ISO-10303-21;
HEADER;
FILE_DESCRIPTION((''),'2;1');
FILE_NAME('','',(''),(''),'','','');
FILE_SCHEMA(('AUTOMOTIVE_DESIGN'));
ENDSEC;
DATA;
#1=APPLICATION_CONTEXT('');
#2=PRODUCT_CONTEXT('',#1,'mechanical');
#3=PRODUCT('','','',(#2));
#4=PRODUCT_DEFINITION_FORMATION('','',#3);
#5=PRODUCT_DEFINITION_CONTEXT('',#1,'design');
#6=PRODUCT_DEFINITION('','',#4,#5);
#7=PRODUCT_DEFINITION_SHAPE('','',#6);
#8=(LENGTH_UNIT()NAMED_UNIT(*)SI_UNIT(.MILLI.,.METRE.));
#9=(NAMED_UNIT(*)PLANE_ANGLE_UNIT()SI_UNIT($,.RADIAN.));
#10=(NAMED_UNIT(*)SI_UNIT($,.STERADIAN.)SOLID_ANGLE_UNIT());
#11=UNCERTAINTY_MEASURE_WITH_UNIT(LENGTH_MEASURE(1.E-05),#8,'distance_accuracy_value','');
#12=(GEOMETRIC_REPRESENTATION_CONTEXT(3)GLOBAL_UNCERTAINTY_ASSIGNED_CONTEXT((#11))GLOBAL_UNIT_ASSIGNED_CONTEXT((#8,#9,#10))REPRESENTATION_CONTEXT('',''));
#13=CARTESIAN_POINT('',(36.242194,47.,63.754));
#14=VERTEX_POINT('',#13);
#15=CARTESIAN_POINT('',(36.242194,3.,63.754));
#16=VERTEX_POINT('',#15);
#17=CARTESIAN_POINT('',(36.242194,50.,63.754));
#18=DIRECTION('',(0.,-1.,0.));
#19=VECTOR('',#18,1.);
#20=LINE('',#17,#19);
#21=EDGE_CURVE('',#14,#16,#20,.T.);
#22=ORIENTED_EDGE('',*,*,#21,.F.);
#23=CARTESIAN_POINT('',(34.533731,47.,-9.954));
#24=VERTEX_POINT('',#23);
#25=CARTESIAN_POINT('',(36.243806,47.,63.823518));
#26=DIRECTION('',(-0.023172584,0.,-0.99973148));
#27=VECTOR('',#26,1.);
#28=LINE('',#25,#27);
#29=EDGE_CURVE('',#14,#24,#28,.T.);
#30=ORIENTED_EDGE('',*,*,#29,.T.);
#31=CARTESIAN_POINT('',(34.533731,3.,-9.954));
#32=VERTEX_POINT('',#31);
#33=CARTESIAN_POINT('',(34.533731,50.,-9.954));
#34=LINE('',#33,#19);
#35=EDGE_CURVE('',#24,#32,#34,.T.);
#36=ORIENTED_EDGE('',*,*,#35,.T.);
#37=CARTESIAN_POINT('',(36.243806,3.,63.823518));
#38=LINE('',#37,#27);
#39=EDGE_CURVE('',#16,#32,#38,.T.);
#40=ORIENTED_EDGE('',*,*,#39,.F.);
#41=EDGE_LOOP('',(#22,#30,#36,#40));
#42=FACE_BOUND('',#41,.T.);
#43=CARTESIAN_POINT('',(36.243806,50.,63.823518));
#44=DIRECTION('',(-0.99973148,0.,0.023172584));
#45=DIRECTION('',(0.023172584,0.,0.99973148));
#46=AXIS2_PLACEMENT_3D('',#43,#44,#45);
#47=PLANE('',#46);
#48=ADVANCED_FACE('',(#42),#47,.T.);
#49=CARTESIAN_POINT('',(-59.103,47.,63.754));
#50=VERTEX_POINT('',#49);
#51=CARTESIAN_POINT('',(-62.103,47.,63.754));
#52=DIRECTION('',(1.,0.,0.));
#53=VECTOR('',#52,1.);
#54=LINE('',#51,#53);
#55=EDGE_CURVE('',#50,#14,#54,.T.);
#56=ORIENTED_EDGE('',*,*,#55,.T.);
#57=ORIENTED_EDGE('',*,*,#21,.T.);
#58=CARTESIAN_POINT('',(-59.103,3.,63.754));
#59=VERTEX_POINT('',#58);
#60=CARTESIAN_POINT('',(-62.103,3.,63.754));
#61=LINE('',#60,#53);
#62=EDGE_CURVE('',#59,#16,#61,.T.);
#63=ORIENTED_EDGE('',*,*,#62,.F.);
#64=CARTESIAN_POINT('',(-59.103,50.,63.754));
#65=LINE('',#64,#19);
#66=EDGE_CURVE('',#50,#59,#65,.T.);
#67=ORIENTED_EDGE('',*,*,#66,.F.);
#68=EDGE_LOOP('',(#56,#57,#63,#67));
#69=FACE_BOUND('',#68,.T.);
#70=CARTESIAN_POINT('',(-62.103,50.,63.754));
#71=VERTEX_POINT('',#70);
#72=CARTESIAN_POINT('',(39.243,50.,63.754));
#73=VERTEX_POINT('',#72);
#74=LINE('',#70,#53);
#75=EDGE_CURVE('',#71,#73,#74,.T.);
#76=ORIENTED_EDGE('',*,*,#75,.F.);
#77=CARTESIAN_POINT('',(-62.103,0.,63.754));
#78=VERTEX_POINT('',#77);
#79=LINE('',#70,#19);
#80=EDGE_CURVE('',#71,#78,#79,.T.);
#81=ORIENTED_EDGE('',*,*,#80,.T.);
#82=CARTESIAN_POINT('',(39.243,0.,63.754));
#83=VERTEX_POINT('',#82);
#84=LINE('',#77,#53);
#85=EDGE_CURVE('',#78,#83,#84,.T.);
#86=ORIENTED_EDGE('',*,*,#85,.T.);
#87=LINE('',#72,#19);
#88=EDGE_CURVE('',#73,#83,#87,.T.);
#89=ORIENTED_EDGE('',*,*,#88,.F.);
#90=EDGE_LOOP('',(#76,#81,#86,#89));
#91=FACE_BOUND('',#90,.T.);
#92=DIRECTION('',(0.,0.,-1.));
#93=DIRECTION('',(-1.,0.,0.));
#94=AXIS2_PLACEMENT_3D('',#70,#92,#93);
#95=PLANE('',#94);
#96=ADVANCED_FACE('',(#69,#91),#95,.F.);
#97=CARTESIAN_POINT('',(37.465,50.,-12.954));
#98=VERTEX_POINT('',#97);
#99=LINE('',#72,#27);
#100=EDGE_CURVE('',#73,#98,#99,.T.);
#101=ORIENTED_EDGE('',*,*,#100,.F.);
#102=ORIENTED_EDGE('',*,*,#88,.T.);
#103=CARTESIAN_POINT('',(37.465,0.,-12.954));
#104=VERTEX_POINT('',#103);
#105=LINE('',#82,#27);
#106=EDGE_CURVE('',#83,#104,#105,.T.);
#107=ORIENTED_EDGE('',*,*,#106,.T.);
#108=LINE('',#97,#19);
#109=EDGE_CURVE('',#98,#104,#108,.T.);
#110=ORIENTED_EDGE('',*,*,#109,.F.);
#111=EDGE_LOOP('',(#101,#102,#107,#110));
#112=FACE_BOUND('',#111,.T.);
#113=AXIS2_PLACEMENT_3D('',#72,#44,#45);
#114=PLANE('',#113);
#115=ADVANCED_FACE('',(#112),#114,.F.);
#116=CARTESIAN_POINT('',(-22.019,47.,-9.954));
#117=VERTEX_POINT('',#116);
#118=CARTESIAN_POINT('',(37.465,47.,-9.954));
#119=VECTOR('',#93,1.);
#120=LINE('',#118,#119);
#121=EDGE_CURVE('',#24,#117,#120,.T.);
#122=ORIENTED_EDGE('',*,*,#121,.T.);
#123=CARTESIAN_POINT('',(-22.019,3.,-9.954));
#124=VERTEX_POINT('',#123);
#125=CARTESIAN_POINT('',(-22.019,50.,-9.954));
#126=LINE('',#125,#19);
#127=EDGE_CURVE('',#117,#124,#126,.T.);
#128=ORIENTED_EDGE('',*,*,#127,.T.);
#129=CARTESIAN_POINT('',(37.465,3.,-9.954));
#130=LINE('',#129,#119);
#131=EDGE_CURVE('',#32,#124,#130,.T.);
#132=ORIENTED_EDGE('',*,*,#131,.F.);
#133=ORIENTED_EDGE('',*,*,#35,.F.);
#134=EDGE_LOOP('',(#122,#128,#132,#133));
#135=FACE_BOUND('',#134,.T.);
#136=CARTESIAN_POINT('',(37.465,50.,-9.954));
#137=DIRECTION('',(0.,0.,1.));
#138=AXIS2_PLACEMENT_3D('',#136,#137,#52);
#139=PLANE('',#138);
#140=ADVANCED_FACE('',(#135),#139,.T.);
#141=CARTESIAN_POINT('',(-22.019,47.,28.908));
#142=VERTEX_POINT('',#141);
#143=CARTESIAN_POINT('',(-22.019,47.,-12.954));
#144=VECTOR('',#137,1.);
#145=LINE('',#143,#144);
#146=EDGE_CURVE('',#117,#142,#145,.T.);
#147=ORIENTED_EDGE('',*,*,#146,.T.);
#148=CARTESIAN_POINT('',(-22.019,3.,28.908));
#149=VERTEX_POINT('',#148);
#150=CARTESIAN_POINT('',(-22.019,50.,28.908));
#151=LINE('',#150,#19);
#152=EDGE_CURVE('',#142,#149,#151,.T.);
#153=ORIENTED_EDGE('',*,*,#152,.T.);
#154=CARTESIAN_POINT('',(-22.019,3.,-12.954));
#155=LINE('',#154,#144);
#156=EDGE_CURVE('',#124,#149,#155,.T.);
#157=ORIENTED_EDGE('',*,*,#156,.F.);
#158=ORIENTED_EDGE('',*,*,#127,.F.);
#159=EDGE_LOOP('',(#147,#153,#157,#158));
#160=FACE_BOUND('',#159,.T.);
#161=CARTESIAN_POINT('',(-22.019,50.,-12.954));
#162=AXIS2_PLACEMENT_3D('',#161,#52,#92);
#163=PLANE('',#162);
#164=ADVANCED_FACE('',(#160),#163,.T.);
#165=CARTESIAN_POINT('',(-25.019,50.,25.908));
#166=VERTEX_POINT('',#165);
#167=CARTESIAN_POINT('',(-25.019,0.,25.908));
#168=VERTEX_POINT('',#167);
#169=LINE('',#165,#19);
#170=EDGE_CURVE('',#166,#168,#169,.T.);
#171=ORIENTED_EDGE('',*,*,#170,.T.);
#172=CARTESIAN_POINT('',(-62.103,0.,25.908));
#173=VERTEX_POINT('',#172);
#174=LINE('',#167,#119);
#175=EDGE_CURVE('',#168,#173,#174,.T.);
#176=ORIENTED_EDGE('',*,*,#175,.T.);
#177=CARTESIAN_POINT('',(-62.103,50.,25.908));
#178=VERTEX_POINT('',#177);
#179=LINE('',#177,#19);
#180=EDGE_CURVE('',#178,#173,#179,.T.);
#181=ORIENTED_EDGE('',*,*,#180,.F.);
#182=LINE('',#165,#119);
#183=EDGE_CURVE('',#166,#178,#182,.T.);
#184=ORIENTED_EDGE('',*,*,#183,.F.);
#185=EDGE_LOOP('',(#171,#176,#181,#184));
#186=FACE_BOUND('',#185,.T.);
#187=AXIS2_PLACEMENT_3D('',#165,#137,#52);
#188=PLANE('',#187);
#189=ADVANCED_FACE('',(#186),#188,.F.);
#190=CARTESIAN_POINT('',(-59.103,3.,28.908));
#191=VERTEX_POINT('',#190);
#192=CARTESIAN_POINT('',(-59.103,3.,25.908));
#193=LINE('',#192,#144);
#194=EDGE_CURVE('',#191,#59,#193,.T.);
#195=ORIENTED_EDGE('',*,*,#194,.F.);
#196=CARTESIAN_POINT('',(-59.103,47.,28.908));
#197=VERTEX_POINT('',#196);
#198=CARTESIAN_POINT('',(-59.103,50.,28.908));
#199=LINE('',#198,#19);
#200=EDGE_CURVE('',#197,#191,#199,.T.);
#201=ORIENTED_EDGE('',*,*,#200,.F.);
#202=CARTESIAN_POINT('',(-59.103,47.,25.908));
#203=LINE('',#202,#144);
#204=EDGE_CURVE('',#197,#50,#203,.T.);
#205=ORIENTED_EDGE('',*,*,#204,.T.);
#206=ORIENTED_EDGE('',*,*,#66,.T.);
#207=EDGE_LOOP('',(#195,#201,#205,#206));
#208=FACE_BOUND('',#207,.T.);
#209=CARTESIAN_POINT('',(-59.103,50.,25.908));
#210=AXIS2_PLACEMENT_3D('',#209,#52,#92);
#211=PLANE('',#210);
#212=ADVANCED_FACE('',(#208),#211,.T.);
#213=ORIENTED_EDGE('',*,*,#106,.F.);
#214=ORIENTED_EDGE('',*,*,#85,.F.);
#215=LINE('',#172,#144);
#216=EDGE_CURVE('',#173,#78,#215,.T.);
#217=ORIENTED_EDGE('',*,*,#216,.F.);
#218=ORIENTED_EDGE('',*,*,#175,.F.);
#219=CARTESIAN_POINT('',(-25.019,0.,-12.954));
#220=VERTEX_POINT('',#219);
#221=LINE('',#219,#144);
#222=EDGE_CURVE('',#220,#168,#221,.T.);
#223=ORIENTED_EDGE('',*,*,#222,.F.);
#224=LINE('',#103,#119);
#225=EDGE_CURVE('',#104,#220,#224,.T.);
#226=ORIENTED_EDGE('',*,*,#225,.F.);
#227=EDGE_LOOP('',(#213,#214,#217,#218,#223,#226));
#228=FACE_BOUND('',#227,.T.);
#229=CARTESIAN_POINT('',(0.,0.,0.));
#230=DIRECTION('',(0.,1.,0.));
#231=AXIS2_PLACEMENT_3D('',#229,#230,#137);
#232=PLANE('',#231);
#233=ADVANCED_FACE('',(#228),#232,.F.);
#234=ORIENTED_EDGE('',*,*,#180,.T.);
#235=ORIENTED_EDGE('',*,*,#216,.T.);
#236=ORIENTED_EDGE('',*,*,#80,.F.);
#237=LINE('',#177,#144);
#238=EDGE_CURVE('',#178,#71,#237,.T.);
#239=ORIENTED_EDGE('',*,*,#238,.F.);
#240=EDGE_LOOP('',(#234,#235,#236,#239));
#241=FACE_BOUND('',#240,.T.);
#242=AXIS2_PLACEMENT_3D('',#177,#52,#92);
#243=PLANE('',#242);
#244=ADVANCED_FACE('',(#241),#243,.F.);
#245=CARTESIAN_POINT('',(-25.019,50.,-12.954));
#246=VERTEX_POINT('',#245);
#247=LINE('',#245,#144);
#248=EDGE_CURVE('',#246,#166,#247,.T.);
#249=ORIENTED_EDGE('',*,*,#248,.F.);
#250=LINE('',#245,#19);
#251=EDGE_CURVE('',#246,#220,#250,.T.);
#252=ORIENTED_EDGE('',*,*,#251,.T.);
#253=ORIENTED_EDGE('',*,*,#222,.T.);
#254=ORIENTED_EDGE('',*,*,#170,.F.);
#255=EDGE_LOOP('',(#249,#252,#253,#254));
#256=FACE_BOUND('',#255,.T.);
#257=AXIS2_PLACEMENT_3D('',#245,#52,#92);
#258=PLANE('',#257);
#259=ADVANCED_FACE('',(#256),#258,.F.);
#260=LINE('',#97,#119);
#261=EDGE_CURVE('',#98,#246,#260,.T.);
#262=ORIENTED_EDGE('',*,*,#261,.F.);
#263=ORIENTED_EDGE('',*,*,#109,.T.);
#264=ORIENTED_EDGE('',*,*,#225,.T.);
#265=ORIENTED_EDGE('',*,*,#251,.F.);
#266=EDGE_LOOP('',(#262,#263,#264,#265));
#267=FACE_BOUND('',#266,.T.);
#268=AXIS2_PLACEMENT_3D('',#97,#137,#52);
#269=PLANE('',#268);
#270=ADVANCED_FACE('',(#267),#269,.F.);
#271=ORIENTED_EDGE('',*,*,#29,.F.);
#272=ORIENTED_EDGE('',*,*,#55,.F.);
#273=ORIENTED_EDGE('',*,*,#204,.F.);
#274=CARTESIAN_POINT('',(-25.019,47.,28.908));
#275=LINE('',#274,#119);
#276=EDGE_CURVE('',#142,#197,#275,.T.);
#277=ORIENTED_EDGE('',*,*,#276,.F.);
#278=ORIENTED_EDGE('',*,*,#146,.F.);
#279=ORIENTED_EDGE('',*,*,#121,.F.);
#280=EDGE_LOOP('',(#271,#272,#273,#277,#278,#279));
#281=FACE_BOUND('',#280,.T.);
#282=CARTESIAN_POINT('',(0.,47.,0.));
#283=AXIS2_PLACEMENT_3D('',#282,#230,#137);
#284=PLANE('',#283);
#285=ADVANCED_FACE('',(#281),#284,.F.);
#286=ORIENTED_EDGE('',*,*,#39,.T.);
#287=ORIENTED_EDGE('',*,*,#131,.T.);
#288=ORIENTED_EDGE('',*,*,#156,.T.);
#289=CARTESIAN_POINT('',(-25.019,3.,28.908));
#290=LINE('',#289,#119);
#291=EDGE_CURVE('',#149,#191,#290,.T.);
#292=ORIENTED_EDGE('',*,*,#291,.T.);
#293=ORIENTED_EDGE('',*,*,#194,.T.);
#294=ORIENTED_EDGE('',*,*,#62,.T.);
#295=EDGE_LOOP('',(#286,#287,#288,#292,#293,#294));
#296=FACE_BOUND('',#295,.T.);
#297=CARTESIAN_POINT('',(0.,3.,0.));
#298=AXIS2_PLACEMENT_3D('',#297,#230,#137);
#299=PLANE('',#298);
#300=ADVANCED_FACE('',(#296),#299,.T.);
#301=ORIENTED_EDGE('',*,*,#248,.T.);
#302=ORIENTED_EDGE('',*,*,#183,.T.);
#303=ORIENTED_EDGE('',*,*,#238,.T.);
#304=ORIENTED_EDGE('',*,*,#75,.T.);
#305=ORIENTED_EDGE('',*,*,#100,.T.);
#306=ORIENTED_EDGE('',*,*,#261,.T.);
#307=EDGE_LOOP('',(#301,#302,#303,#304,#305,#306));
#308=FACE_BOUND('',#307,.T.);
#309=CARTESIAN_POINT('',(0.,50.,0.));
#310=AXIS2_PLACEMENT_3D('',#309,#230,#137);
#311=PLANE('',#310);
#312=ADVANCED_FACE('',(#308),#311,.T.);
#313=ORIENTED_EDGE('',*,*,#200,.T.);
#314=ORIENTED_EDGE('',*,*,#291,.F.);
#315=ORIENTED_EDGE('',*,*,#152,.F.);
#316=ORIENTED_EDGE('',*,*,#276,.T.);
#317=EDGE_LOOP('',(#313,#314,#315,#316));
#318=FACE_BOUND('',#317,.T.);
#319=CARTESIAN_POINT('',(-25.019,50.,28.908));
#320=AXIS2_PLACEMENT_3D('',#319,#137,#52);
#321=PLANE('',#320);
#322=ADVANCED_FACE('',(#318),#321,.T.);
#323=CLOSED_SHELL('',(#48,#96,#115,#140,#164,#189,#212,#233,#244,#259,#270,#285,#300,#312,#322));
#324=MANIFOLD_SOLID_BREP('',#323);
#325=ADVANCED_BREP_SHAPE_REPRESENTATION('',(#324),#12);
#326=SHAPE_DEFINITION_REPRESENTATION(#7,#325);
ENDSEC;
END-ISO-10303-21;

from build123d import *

# Parameters (mm, degrees)
BOSS_EXTRUDE1_DEPTH = 50
SHELL1_T            = -3


with BuildPart() as part:
    # Sketch1 → Boss-Extrude1 (new body)
    with BuildSketch(Plane(origin=(0, 0, 0), x_dir=(1, 0, 0), z_dir=(0, 1, 0))):
        Polygon((-25.019, 12.954), (-25.019, -25.908), (-62.103, -25.908), (-62.103, -63.754), (39.243, -63.754), (37.465, 12.954), align=None)
    extrude(amount=BOSS_EXTRUDE1_DEPTH)

    # Shell1
    shell1_openings = [part.faces().sort_by_distance(p)[0] for p in [
        (-11.43, 25, 63.754),
    ]]
    offset(amount=SHELL1_T, openings=shell1_openings, kind=Kind.INTERSECTION)


solid = part.part
